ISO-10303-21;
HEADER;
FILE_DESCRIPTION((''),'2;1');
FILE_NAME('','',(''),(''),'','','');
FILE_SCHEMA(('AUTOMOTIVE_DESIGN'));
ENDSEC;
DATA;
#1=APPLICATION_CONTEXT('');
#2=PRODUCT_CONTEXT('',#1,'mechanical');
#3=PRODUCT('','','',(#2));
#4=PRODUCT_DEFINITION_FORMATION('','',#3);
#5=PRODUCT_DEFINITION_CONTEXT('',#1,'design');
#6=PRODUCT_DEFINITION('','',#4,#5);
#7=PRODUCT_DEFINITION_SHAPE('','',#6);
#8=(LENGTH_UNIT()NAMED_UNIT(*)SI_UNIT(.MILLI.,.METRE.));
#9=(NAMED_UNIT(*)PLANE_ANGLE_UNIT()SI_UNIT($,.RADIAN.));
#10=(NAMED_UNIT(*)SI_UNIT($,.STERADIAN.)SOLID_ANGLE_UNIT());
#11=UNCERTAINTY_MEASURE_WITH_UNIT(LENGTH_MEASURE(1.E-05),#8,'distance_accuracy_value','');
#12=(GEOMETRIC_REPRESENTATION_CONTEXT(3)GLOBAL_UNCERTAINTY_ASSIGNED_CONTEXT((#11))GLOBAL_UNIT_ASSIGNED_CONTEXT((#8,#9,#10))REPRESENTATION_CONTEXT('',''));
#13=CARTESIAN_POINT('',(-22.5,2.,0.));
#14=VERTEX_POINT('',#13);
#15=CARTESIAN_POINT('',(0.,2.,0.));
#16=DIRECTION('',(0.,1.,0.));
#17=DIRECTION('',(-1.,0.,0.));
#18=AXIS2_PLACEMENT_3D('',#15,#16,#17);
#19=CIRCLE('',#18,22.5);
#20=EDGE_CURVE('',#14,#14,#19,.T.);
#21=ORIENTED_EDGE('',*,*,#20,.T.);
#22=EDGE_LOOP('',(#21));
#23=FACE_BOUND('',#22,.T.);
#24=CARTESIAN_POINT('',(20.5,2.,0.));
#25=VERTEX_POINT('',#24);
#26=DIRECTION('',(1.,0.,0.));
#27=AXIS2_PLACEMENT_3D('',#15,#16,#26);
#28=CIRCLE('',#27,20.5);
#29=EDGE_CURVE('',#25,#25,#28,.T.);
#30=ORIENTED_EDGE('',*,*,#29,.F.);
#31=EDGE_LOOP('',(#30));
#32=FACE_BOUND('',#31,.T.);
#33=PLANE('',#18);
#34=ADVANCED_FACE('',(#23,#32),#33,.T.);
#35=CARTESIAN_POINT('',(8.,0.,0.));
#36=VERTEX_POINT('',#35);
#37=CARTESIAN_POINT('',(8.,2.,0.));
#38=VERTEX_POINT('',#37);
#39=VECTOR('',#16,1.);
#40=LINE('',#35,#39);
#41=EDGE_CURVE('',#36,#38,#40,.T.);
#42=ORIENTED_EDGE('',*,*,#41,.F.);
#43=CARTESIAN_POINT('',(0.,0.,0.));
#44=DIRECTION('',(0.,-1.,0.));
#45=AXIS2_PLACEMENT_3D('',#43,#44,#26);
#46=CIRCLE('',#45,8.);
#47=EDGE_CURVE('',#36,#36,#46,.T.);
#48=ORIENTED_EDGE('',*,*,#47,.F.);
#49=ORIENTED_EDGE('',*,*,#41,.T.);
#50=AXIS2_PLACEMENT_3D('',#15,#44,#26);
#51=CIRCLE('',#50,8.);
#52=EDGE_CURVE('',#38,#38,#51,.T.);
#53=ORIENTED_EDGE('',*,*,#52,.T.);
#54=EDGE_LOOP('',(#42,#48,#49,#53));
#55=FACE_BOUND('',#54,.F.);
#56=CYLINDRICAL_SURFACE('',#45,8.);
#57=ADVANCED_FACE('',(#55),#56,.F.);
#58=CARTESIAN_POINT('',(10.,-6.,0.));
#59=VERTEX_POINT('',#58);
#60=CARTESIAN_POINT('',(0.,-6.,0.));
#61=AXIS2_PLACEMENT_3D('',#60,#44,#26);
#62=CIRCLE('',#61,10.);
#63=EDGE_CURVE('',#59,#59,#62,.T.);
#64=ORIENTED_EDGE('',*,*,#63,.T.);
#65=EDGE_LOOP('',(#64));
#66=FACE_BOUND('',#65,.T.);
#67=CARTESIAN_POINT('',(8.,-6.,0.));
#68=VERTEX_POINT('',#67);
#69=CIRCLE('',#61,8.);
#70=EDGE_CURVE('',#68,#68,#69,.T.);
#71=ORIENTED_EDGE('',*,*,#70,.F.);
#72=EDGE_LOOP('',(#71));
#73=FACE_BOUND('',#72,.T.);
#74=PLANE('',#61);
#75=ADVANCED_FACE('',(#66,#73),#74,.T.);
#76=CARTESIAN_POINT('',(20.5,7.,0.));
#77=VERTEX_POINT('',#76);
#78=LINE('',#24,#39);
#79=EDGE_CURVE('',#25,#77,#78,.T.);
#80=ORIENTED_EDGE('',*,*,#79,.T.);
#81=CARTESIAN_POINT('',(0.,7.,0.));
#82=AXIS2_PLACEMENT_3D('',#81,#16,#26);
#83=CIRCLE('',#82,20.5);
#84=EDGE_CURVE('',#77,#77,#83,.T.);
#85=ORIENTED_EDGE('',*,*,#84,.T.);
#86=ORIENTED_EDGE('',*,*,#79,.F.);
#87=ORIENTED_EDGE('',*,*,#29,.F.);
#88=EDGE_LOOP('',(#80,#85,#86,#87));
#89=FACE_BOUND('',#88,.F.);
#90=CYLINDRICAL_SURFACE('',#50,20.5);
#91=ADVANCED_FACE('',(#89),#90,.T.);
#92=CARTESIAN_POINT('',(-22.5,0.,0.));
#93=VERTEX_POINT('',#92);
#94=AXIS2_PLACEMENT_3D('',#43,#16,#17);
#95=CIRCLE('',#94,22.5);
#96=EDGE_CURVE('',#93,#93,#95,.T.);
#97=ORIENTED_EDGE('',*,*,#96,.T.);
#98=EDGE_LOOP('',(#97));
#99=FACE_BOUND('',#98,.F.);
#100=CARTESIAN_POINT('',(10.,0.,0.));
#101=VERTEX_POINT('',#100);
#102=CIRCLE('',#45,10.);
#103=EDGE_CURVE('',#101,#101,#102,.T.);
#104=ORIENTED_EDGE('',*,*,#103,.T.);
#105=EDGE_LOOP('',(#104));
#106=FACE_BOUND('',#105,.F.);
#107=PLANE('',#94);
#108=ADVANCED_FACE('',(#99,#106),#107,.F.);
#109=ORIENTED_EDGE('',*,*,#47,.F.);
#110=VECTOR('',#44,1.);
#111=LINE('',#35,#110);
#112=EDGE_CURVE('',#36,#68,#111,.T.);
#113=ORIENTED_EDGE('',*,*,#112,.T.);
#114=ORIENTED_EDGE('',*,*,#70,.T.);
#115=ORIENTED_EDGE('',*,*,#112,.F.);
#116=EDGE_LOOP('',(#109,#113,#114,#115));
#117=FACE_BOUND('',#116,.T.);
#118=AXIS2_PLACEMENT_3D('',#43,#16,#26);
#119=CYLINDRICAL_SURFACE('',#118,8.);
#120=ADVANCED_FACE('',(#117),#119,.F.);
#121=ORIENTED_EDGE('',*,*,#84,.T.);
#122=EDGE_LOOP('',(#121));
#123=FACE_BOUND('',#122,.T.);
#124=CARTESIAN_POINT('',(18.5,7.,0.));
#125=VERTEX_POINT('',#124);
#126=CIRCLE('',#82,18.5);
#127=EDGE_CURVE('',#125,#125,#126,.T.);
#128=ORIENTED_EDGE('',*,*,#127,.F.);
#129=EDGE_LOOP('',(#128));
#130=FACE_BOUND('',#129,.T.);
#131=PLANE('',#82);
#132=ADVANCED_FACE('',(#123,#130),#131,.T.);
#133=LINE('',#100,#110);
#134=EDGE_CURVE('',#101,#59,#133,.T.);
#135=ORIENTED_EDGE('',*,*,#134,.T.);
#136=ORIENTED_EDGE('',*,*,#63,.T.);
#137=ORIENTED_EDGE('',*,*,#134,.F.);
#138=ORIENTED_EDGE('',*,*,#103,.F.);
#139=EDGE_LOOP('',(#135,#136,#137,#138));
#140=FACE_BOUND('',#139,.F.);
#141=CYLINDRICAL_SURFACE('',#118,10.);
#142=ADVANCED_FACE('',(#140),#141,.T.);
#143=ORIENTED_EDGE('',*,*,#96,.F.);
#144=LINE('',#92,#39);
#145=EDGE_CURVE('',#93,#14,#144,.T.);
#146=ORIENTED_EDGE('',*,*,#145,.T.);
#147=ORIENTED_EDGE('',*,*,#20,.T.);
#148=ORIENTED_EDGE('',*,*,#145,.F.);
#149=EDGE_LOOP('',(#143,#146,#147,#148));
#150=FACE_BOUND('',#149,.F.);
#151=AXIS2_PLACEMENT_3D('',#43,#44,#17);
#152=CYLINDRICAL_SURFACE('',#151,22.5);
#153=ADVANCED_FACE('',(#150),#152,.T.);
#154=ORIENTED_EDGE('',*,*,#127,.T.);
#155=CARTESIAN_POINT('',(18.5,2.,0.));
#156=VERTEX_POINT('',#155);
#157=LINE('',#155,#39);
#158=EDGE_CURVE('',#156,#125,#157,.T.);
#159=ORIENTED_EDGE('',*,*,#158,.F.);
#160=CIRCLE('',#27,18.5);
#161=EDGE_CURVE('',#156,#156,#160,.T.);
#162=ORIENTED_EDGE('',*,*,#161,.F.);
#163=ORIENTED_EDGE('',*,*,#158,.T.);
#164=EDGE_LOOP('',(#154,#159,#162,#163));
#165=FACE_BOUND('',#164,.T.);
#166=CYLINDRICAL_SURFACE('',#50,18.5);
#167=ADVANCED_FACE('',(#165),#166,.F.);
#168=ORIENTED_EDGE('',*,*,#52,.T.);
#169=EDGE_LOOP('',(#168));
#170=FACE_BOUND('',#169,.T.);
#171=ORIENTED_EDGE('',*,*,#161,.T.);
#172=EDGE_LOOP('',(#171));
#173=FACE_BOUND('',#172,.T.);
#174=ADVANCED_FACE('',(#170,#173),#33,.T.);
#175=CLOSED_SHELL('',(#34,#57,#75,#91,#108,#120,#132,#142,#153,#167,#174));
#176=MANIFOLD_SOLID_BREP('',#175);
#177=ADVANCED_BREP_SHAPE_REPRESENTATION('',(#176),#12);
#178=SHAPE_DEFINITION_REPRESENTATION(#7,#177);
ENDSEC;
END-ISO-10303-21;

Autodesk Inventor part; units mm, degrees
ref_plane "YZ Plane" through (0, 0, 0) normal (1, 0, 0) x (0, 1, 0)
ref_plane "XZ Plane" through (0, 0, 0) normal (0, 1, 0) x (-1, 0, 0)
ref_plane "XY Plane" through (0, 0, 0) normal (0, 0, 1) x (1, 0, 0)
sketch "Sketch1" plane through (0, 0, 0) normal (0, 1, 0) x (-1, 0, 0)
  circle A0 centre (0, 0) radius 22.5
  dimension "d0" = 45
extrude "Extrusion1" add sketch "Sketch1" along normal blind 2
sketch "Sketch2" plane through (0, 2, 0) normal (0, 1, 0) x (1, 0, 0)
  circle A0 centre (0, 0) radius 22.5 projected
  circle A1 centre (0, 0) radius 20.5
  circle A2 centre (0, 0) radius 18.5
  dimension "d3" = 2
  dimension "d4" = 4
extrude "Extrusion2" add sketch "Sketch2" along normal blind 5 contours A1
sketch "Sketch3" plane through (0, 0, 0) normal (0, -1, 0) x (1, 0, 0)
  circle A0 centre (0, 0) radius 20.5 projected
  circle A1 centre (0, 0) radius 22.5 projected
  circle A2 centre (0, 0) radius 8
  dimension "d7" = 16
extrude "Extrusion3" cut sketch "Sketch3" against normal blind 3 contours A2
sketch "Sketch4" plane through (0, 0, 0) normal (0, -1, 0) x (1, 0, 0)
  circle A0 centre (0, 0) radius 8 projected
  circle A1 centre (0, 0) radius 22.5 projected
  circle A2 centre (0, 0) radius 8 projected
  circle A3 centre (0, 0) radius 10
  dimension "d10" = 2
extrude "Extrusion4" add sketch "Sketch4" along normal blind 6 contours A3
properties part number "Pieza 1.2 final" material "ABS Plastic"
